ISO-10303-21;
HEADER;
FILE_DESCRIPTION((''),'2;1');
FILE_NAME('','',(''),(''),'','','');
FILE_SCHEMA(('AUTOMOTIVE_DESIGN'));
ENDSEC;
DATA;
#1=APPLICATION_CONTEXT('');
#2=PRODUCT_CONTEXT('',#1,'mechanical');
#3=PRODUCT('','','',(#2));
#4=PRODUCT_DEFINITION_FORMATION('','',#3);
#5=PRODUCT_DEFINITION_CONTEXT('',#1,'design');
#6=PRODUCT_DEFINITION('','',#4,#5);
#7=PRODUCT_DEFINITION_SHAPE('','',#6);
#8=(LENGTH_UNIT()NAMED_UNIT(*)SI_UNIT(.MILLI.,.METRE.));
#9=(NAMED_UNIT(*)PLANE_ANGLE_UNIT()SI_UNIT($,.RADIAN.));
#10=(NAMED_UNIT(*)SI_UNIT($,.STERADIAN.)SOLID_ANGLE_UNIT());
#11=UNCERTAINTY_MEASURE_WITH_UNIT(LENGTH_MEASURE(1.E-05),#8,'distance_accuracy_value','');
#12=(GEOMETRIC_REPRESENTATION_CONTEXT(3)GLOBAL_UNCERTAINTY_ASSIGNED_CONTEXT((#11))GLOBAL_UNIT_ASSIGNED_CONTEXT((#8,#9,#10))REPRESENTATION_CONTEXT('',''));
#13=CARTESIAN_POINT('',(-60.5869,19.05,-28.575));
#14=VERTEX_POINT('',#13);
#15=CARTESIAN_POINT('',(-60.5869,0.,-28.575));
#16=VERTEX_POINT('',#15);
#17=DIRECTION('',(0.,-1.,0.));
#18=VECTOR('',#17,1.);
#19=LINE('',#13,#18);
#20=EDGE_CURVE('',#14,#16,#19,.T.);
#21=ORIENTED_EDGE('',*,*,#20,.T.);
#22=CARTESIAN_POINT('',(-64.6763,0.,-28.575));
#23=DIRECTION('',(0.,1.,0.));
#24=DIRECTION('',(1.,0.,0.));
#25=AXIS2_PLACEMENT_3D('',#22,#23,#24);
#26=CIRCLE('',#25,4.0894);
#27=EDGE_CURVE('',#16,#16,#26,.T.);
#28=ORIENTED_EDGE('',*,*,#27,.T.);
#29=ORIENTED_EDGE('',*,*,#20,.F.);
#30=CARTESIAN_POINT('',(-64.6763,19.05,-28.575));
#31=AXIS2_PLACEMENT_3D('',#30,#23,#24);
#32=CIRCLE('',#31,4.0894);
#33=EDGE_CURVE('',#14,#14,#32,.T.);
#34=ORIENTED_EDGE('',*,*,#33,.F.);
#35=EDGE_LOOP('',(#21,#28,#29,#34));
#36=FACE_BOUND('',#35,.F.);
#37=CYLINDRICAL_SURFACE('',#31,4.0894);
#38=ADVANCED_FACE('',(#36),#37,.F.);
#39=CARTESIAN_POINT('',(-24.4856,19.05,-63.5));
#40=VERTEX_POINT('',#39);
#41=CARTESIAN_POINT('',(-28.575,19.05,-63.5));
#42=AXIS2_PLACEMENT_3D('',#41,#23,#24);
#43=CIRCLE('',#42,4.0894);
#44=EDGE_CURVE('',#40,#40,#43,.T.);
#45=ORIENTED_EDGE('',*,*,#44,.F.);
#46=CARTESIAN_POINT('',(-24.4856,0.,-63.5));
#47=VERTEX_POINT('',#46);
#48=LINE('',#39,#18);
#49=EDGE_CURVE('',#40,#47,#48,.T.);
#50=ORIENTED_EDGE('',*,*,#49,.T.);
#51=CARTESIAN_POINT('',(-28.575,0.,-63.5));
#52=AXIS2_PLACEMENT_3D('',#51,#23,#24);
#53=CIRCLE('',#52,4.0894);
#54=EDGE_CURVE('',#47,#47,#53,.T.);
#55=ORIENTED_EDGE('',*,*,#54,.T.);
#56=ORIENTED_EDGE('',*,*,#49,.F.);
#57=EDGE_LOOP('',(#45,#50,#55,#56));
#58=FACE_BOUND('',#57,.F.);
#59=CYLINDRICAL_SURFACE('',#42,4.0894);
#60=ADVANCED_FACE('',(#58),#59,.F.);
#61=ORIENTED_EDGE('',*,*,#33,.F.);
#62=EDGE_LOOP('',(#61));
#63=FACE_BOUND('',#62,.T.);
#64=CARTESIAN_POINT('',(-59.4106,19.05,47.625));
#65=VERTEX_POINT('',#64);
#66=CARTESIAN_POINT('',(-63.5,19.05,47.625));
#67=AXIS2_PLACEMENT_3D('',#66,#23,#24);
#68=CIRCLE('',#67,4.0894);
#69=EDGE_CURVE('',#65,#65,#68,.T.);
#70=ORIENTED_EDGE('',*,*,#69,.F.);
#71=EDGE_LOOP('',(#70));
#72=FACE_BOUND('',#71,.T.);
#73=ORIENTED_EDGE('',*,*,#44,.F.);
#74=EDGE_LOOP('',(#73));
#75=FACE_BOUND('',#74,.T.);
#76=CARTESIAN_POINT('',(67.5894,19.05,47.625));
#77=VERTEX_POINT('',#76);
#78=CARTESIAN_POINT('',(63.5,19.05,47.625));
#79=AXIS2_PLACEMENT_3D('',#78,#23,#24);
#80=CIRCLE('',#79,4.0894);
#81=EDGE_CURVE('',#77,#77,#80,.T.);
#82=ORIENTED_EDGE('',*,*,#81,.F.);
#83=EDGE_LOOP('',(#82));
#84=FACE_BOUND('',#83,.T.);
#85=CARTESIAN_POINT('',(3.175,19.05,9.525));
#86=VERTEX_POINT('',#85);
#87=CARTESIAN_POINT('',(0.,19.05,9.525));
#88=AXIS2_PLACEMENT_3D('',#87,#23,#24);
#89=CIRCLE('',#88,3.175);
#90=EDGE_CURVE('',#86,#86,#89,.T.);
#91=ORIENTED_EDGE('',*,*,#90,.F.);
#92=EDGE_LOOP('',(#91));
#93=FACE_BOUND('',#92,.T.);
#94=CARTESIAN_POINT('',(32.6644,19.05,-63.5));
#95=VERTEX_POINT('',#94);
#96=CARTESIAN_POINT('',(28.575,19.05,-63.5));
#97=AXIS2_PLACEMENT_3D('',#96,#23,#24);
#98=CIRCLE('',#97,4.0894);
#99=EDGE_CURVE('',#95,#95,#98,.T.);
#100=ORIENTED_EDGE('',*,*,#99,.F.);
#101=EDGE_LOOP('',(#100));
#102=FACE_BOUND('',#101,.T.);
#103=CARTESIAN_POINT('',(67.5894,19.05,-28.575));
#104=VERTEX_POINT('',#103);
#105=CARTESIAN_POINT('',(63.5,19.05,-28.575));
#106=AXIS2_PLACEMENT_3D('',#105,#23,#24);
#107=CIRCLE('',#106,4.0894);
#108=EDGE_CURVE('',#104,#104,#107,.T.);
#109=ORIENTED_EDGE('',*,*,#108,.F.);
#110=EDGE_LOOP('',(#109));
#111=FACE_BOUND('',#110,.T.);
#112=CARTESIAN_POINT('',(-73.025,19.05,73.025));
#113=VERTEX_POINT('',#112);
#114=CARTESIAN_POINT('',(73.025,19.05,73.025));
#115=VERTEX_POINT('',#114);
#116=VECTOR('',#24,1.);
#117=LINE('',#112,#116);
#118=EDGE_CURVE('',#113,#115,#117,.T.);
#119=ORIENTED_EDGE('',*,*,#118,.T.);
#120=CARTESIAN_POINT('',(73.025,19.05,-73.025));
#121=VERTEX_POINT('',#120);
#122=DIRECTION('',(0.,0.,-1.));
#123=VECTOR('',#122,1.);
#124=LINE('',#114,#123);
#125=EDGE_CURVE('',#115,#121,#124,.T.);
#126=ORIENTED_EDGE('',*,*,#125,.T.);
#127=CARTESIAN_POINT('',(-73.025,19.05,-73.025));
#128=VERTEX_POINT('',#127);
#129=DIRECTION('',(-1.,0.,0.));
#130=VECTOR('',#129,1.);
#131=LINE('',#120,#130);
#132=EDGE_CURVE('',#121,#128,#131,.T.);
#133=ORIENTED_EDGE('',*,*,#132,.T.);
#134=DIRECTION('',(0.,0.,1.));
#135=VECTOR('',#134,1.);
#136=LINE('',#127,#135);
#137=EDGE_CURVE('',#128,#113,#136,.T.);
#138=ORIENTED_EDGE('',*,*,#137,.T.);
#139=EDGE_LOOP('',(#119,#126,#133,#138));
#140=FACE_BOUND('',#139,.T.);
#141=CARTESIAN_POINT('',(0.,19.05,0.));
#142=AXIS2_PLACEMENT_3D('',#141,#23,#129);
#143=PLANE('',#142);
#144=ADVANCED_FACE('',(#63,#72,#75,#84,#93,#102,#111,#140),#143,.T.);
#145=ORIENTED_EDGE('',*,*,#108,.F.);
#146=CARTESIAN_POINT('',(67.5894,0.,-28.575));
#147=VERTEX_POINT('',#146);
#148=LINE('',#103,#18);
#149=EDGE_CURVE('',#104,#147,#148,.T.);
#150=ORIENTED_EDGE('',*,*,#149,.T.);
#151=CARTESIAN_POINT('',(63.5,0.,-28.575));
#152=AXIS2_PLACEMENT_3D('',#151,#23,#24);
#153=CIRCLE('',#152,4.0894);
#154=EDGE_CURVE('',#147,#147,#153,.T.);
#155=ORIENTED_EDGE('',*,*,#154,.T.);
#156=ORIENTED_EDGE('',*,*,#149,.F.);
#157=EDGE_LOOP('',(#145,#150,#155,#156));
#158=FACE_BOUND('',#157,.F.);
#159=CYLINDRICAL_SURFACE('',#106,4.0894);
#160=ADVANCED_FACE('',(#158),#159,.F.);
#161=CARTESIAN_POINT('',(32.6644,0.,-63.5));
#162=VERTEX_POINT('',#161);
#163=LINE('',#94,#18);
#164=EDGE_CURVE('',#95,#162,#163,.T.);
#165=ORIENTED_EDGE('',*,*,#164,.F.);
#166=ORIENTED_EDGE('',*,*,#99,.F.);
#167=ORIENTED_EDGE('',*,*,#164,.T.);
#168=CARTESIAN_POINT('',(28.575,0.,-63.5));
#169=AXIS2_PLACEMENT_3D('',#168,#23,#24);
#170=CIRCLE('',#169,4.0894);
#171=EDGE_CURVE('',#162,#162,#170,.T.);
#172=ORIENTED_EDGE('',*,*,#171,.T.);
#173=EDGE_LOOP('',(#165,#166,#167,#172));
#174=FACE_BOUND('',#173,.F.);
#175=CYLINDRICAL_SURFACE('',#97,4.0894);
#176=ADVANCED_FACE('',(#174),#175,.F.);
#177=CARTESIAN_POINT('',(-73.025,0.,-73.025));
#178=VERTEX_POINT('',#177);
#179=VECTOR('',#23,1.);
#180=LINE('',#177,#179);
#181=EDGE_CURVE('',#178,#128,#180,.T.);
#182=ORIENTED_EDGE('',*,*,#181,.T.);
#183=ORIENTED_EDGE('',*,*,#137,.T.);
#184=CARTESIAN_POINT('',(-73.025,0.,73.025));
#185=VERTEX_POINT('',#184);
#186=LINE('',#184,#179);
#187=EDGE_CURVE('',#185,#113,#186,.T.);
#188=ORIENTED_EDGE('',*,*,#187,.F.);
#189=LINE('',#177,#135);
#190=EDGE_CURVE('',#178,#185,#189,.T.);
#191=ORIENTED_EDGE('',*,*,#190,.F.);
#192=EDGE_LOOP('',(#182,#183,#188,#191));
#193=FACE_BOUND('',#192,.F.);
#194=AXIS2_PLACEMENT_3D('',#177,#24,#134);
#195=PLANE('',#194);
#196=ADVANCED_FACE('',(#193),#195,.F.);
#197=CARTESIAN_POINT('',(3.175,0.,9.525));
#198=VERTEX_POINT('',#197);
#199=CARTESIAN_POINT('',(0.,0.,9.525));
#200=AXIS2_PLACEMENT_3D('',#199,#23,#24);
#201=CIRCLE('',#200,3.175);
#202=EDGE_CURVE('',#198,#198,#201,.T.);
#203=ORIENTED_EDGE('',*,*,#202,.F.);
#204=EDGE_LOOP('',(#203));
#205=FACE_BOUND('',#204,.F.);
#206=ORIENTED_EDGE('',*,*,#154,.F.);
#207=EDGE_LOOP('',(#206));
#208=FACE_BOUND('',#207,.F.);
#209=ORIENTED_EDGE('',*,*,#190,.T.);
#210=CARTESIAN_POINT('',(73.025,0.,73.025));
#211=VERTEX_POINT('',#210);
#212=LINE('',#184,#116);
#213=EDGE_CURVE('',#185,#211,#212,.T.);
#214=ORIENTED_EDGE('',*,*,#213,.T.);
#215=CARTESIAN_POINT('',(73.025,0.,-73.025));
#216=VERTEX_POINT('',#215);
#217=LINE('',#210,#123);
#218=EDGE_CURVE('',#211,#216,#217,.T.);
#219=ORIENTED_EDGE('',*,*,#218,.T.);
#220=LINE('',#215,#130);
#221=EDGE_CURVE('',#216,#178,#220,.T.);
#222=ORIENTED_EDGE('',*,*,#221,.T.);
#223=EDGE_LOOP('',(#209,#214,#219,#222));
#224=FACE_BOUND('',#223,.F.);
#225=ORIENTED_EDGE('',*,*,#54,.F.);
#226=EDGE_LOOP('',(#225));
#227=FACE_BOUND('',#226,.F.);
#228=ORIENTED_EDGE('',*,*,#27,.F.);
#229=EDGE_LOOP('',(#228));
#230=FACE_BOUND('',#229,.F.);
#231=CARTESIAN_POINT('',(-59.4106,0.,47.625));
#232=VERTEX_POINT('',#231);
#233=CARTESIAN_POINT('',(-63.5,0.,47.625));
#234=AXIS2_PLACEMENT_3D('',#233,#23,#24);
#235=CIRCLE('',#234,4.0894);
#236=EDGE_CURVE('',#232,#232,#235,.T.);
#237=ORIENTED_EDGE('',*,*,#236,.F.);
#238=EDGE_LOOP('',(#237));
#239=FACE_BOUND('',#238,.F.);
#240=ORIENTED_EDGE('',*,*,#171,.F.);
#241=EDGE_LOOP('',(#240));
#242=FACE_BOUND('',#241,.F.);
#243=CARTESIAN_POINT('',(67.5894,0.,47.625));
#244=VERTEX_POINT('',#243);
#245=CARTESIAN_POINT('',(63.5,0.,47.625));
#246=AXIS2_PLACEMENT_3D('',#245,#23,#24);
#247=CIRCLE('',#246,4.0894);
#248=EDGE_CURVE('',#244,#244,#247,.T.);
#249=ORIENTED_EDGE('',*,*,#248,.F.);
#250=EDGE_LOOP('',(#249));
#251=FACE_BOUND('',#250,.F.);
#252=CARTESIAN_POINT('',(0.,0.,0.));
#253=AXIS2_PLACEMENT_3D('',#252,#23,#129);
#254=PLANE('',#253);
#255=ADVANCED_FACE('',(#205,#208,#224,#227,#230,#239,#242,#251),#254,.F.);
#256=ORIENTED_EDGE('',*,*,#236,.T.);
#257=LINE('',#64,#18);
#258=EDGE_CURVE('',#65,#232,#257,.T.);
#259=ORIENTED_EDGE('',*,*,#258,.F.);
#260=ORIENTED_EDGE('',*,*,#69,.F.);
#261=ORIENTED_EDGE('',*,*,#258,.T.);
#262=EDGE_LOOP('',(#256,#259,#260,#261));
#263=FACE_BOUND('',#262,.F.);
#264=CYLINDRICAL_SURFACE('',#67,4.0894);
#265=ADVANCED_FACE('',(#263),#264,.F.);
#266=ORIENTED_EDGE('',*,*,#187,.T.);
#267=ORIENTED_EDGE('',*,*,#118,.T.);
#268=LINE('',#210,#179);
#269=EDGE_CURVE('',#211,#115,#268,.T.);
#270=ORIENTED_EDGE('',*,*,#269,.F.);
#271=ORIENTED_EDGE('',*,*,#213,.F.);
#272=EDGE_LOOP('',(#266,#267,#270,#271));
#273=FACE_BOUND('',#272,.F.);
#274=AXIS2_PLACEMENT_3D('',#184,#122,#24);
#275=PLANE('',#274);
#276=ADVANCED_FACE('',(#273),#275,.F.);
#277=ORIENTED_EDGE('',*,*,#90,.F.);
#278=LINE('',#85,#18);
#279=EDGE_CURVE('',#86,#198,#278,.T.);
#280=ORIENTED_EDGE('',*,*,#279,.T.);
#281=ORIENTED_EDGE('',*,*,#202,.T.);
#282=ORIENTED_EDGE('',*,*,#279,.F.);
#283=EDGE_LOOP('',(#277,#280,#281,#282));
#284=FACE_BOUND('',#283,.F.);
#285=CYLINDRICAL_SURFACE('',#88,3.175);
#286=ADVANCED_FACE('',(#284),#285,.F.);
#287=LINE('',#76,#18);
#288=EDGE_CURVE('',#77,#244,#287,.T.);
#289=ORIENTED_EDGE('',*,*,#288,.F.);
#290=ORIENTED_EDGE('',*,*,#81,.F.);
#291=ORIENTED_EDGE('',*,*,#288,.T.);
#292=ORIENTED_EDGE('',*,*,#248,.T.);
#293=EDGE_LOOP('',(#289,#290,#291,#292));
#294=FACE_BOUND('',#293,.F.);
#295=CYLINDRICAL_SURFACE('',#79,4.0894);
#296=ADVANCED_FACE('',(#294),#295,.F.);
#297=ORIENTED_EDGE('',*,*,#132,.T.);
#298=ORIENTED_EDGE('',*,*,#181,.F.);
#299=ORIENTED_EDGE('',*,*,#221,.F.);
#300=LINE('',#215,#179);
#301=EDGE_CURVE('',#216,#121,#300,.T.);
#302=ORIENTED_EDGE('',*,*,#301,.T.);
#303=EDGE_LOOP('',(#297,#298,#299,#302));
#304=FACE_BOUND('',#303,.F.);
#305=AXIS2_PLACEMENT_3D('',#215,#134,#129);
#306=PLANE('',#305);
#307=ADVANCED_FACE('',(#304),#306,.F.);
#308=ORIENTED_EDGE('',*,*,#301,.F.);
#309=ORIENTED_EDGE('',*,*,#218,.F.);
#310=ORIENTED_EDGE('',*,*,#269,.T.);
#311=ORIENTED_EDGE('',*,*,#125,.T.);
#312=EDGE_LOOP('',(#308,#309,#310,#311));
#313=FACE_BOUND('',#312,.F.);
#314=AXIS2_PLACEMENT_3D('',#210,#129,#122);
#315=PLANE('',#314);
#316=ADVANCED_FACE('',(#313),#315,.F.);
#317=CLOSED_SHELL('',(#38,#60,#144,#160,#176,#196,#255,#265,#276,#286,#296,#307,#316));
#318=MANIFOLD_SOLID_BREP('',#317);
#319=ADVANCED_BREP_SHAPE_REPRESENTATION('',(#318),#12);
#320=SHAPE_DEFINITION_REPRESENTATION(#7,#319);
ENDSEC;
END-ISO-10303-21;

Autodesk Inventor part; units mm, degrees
ref_plane "YZ Plane" through (0, 0, 0) normal (1, 0, 0) x (0, 1, 0)
ref_plane "XZ Plane" through (0, 0, 0) normal (0, 1, 0) x (-1, 0, 0)
ref_plane "XY Plane" through (0, 0, 0) normal (0, 0, 1) x (1, 0, 0)
sketch "Sketch1" plane through (0, 0, 0) normal (0, 1, 0) x (-1, 0, 0)
  line L0 (73.025, 73.025) -> (-73.025, 73.025)
  line L1 (-73.025, 73.025) -> (-73.025, -73.025)
  line L2 (-73.025, -73.025) -> (73.025, -73.025)
  line L3 (73.025, -73.025) -> (73.025, 73.025)
  line L4 (73.025, 73.025) -> (-73.025, -73.025) construction
  line L5 (-73.025, 73.025) -> (73.025, -73.025) construction
  point P0 (0, 0)
  dimension "d2" = 146.05
  dimension "d3" = 146.05
extrude "Extrusion1" add sketch "Sketch1" along normal blind 19.05
sketch "Sketch2" plane through (0, 19.05, 0) normal (0, 1, 0) x (1, 0, 0)
  circle A0 centre (0, -9.525) radius 3.175
  line L0 (73.025, 73.025) -> (-73.025, 73.025) projected
  line L1 (-73.025, 73.025) -> (-73.025, -73.025) projected
  point P0 (0, 0)
  dimension "d6" = 6.35
  dimension "d7" = 82.55
  dimension "d8" = 73.025
extrude "Extrusion2" cut sketch "Sketch2" against normal blind 19.05
sketch "Sketch3" plane through (0, 19.05, 0) normal (0, 1, 0) x (1, 0, 0)
  circle A0 centre (-63.5, -47.625) radius 4.0894
  line L0 (-73.025, 73.025) -> (-73.025, -73.025) projected
  line L1 (-73.025, -73.025) -> (73.025, -73.025) projected
  circle A1 centre (-64.6763, 28.575) radius 4.0894
  circle A2 centre (63.5, -47.625) radius 4.0894
  line L2 (73.025, -73.025) -> (73.025, 73.025) projected
  circle A3 centre (63.5, 28.575) radius 4.0894
  circle A4 centre (-28.575, 63.5) radius 4.0894
  line L3 (73.025, 73.025) -> (-73.025, 73.025) projected
  circle A5 centre (28.575, 63.5) radius 4.0894
  point P0 (0, 0)
  dimension "d11" = 8.1788
  dimension "d12" = 9.525
  dimension "d13" = 25.4
  dimension "d14" = 8.1788
  dimension "d15" = 101.6
  dimension "d16" = 8.1788
  dimension "d17" = 25.4
  dimension "d18" = 9.525
  dimension "d19" = 8.1788
  dimension "d20" = 9.525
  dimension "d21" = 101.6
  dimension "d22" = 8.1788
  dimension "d23" = 44.45
  dimension "d24" = 9.525
  dimension "d25" = 8.1788
  dimension "d26" = 101.6
extrude "Extrusion3" cut sketch "Sketch3" against normal blind 19.05 contours A0 | A1 | A2 | A3 | A4 | A5
properties part number "Part_side"
